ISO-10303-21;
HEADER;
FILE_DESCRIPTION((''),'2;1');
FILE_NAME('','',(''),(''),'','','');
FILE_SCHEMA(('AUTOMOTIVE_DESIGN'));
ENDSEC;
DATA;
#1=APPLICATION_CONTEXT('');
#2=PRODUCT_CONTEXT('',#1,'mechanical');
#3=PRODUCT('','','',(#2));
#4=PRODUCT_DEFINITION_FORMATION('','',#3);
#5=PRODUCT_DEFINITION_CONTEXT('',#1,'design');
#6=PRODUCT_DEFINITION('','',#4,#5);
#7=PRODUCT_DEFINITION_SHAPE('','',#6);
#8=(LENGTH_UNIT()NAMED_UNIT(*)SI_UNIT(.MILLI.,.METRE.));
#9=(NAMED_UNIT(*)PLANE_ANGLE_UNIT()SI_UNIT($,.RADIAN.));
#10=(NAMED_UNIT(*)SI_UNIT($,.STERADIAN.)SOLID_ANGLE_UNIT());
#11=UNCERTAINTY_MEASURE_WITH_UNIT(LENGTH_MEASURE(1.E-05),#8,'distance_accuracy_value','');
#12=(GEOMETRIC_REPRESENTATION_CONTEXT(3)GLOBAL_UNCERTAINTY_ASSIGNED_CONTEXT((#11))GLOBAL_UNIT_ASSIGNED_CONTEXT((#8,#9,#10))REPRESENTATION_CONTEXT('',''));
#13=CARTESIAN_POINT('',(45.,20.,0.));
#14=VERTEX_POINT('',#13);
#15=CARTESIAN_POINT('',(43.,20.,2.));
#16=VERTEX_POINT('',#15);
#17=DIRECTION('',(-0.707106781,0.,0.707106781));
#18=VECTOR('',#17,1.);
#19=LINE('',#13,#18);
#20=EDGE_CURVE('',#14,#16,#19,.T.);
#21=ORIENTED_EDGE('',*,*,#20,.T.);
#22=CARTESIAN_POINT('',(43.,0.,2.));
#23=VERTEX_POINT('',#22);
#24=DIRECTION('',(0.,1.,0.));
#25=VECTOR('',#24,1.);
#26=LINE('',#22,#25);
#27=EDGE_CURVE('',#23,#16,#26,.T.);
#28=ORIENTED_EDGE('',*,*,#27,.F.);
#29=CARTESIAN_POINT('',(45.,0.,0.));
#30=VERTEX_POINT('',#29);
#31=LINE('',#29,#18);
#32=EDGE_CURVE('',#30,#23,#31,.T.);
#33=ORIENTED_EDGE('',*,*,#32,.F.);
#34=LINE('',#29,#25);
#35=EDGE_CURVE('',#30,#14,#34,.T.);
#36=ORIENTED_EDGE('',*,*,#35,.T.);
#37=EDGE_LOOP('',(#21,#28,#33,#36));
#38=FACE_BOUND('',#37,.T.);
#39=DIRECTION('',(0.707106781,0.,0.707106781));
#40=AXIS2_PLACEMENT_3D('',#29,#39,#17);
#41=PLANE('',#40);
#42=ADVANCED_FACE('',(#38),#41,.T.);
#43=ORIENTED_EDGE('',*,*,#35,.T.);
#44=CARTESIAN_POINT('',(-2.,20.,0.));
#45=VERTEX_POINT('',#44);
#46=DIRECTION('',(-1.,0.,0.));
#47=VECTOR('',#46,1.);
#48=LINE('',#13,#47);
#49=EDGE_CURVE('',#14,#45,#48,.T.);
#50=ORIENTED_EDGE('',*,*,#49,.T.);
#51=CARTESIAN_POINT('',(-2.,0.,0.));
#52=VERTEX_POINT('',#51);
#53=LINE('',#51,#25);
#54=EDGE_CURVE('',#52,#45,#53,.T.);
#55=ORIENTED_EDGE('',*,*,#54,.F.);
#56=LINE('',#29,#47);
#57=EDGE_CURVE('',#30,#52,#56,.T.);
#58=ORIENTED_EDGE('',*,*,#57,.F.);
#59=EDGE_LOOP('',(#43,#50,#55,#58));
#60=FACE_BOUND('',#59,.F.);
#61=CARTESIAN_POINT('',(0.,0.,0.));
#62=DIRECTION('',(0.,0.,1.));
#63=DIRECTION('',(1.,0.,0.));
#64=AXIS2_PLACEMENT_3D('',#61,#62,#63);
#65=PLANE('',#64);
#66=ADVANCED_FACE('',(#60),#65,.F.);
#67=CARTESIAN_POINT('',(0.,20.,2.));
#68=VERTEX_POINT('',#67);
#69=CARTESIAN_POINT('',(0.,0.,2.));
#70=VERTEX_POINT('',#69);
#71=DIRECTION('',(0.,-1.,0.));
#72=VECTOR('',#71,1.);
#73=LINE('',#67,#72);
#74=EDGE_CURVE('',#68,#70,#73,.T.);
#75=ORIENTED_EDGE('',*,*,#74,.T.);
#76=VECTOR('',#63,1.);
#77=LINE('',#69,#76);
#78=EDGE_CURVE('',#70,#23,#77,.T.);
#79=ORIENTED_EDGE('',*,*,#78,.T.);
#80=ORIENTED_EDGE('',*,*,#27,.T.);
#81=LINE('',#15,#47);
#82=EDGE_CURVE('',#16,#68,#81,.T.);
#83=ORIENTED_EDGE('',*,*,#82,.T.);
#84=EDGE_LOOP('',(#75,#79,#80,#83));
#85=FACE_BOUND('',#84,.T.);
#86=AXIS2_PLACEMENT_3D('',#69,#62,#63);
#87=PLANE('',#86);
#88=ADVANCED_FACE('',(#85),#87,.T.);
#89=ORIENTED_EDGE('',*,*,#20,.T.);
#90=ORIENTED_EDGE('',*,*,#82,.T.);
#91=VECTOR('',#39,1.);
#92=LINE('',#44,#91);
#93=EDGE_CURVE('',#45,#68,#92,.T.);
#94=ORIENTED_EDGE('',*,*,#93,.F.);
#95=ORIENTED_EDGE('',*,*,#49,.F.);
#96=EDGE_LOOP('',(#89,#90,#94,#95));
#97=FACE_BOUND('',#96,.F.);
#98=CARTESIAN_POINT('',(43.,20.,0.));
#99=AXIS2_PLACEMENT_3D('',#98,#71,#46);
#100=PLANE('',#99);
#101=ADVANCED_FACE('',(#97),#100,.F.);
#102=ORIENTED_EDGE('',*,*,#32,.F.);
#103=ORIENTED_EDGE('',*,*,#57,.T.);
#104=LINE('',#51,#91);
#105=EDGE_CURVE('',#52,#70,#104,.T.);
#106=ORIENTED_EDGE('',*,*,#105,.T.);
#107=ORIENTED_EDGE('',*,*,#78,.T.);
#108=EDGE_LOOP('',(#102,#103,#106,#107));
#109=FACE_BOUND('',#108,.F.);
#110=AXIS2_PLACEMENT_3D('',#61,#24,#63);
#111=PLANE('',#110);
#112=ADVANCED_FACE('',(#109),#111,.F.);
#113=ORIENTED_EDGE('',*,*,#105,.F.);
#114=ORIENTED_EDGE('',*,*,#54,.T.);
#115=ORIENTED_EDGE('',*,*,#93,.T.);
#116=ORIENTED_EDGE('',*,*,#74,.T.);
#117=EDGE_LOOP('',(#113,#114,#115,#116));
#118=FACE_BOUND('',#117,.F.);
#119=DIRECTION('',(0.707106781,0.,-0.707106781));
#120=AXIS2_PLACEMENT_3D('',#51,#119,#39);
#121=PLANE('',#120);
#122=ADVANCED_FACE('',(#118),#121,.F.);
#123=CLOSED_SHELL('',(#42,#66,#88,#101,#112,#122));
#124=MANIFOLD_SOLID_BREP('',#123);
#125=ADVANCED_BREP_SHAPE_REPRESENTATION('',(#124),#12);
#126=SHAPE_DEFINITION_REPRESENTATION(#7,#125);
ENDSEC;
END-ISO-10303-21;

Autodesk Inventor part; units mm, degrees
ref_plane "YZ Plane" through (0, 0, 0) normal (1, 0, 0) x (0, 1, 0)
ref_plane "XZ Plane" through (0, 0, 0) normal (0, 1, 0) x (-1, 0, 0)
ref_plane "XY Plane" through (0, 0, 0) normal (0, 0, 1) x (1, 0, 0)
sketch "Sketch1" plane through (0, 0, 0) normal (0, 0, 1) x (1, 0, 0)
  line L0 (0, 0) -> (43, 0)
  line L1 (43, 0) -> (43, 20)
  line L2 (43, 20) -> (0, 20)
  line L3 (0, 20) -> (0, 0)
  dimension "d0" = 43
  dimension "d1" = 20
extrude "Extrusion1" add sketch "Sketch1" along normal blind 2
sketch "Sketch2" plane through (0, 0, 0) normal (0, -1, 0) x (1, 0, 0)
  line L0 (43, 0) -> (43, 2) projected
  line L1 (0, 0) -> (0, 2) projected
  line L2 (0, 0) -> (-2, 0)
  line L3 (-2, 0) -> (0, 2)
  line L4 (43, 0) -> (45, 0)
  line L5 (45, 0) -> (43, 2)
  dimension "d4" = 2
  dimension "d5" = 2
extrude "Extrusion2" add sketch "Sketch2" against normal blind 20
properties part number "deksel token"
